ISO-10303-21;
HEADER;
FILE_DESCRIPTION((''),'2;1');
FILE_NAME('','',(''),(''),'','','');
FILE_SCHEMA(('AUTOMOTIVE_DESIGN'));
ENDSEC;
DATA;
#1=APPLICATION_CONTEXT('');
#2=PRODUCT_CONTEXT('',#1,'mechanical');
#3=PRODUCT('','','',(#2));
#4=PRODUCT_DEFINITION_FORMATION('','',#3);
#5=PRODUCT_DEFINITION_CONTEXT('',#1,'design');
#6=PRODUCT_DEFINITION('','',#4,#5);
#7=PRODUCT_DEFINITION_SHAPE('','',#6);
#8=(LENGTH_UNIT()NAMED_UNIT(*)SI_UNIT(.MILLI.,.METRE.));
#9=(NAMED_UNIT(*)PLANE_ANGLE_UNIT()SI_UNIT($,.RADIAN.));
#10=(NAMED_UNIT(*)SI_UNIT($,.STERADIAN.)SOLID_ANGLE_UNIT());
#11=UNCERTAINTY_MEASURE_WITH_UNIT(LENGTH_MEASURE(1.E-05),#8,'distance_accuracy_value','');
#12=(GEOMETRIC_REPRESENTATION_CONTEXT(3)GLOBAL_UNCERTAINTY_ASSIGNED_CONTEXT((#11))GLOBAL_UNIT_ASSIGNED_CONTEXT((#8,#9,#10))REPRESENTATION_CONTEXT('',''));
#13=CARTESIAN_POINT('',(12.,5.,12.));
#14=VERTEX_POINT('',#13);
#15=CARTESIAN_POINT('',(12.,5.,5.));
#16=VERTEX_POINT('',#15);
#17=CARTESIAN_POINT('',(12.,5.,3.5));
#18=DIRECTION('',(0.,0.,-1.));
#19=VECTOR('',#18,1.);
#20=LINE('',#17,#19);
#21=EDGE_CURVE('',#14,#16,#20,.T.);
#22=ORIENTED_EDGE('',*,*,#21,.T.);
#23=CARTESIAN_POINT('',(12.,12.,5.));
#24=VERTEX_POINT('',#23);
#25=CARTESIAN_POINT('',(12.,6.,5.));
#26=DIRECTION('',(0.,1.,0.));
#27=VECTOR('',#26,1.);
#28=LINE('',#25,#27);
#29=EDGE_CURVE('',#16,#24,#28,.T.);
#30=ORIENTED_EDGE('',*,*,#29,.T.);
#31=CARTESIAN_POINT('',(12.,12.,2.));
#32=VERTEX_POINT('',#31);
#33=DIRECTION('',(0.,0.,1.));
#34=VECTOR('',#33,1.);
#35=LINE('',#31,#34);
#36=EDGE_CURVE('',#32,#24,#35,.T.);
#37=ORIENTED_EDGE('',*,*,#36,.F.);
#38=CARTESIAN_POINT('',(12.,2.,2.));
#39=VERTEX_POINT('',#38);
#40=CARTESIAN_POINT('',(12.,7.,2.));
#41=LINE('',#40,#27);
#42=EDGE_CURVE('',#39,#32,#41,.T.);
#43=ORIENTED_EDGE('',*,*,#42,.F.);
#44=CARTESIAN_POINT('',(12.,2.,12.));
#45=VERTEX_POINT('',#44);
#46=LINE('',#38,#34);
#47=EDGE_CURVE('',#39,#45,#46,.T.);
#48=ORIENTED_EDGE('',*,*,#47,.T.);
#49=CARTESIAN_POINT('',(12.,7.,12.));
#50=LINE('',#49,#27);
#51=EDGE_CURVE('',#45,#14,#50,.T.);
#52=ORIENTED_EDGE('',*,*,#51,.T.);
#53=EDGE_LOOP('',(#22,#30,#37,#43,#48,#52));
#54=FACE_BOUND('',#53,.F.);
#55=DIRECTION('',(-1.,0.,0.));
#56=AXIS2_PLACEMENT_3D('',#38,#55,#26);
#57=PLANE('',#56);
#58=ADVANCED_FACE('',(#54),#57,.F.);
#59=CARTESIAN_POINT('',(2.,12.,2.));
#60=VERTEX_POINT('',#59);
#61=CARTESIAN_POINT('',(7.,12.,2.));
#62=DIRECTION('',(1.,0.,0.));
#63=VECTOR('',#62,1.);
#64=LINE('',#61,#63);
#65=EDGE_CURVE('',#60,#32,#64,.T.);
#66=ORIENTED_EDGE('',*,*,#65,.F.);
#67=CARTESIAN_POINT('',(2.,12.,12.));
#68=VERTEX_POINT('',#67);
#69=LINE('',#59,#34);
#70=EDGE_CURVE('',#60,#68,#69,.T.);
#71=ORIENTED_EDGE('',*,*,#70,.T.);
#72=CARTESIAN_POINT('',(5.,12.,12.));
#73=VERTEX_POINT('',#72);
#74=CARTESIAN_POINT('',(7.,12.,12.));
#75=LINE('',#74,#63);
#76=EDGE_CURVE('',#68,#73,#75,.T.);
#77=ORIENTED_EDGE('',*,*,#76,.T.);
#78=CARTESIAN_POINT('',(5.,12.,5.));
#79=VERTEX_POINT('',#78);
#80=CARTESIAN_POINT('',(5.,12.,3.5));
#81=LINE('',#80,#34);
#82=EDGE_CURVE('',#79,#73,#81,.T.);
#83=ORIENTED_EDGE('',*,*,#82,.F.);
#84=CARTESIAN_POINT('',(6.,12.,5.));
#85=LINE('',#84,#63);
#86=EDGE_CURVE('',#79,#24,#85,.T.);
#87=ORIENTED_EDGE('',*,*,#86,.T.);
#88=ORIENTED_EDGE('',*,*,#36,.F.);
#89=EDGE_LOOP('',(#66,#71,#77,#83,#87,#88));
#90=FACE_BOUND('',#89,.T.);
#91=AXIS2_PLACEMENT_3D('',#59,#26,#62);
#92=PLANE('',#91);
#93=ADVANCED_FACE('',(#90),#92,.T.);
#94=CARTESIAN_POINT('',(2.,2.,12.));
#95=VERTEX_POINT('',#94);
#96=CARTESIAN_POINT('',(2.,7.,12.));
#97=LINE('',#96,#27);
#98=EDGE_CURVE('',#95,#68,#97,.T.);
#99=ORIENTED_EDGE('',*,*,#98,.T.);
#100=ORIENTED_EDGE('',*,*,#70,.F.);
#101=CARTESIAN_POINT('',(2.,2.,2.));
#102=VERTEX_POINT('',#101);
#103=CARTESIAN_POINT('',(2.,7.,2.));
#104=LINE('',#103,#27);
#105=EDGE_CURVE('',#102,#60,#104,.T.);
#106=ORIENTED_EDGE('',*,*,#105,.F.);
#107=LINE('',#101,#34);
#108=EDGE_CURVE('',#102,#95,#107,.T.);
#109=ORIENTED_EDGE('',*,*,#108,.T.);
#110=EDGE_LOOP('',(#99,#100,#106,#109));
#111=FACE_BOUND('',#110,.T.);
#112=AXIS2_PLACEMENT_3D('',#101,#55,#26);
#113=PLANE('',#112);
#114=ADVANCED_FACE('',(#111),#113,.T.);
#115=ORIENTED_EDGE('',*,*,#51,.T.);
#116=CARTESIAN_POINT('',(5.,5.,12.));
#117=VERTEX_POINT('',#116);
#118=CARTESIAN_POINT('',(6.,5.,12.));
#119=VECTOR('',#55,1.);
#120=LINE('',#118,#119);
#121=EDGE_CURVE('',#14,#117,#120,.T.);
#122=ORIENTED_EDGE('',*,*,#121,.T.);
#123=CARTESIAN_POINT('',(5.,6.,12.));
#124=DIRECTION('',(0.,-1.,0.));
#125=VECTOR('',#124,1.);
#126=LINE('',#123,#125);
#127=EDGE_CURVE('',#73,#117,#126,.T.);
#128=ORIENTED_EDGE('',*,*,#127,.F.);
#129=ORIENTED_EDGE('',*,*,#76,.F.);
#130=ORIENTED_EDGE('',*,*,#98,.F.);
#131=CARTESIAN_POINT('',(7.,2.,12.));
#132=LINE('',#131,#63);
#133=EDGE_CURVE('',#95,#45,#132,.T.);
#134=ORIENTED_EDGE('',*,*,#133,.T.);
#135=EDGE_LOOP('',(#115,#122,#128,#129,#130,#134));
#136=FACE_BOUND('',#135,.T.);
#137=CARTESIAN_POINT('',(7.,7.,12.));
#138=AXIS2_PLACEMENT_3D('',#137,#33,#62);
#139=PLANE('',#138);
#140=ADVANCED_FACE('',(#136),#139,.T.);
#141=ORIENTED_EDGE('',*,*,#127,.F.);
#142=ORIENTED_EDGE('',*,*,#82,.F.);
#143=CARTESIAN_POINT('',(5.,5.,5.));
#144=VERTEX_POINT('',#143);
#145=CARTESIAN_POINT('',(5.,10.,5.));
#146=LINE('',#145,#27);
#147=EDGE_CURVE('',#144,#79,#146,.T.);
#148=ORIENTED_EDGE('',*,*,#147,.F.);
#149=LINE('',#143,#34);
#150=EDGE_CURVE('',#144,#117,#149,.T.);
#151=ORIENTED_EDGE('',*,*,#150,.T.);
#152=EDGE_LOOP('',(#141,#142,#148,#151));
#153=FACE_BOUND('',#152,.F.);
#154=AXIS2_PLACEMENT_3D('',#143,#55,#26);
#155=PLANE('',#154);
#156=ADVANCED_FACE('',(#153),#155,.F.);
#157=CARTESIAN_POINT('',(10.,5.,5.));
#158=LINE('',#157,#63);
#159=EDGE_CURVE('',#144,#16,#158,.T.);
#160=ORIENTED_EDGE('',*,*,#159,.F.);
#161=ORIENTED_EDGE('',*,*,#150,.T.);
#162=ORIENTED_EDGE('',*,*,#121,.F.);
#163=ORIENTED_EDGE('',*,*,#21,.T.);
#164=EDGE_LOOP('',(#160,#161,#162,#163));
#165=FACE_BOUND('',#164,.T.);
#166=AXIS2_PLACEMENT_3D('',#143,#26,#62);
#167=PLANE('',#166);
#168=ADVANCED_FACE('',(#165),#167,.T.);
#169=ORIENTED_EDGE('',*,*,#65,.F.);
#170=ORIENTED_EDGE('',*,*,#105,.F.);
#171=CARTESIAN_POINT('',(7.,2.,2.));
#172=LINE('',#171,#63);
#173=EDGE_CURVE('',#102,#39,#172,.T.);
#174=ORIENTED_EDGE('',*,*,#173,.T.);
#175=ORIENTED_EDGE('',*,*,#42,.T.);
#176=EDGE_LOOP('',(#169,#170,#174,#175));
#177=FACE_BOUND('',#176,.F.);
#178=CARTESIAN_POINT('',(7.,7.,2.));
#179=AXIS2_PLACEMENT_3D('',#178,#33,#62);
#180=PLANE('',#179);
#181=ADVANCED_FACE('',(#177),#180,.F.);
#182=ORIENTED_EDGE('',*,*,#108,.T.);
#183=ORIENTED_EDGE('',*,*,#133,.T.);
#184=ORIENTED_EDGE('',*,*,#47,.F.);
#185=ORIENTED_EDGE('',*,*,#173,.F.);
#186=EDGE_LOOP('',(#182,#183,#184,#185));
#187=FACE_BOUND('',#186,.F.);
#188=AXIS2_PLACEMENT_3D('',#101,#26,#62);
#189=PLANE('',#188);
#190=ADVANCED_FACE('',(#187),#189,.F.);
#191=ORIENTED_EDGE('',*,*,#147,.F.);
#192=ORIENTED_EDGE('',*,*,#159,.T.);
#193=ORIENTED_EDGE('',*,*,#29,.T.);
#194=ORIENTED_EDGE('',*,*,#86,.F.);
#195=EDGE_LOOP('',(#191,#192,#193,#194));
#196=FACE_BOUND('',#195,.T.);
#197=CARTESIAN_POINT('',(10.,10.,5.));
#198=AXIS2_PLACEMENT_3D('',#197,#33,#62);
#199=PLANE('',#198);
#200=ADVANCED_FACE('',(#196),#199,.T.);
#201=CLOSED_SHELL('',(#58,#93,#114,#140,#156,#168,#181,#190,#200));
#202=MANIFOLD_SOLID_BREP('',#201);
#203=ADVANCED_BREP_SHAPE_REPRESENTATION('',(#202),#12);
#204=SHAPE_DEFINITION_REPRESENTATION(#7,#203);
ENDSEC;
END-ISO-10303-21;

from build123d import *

# Parameters (mm, degrees)
BOX_W        = 10
BOX_H        = 10
BOX_DEPTH    = 10
BOX001_W     = 10
BOX001_H     = 10
BOX001_DEPTH = 10


with BuildPart() as cub_base:
    # Box → Box (new body)
    with BuildSketch(Plane(origin=(5, 5, 5), x_dir=(1, 0, 0), z_dir=(0, 0, 1))):
        with Locations((5, 5)):
            Rectangle(BOX_W, BOX_H)
    extrude(amount=BOX_DEPTH)


with BuildPart() as mi_pe_a:
    # Box001 → Box001 (new body)
    with BuildSketch(Plane(origin=(2, 2, 2), x_dir=(1, 0, 0), z_dir=(0, 0, 1))):
        with Locations((5, 5)):
            Rectangle(BOX001_W, BOX001_H)
    extrude(amount=BOX001_DEPTH)

    # Cut: cut Cub base
    add(cub_base.part, mode=Mode.SUBTRACT)


solid = mi_pe_a.part
